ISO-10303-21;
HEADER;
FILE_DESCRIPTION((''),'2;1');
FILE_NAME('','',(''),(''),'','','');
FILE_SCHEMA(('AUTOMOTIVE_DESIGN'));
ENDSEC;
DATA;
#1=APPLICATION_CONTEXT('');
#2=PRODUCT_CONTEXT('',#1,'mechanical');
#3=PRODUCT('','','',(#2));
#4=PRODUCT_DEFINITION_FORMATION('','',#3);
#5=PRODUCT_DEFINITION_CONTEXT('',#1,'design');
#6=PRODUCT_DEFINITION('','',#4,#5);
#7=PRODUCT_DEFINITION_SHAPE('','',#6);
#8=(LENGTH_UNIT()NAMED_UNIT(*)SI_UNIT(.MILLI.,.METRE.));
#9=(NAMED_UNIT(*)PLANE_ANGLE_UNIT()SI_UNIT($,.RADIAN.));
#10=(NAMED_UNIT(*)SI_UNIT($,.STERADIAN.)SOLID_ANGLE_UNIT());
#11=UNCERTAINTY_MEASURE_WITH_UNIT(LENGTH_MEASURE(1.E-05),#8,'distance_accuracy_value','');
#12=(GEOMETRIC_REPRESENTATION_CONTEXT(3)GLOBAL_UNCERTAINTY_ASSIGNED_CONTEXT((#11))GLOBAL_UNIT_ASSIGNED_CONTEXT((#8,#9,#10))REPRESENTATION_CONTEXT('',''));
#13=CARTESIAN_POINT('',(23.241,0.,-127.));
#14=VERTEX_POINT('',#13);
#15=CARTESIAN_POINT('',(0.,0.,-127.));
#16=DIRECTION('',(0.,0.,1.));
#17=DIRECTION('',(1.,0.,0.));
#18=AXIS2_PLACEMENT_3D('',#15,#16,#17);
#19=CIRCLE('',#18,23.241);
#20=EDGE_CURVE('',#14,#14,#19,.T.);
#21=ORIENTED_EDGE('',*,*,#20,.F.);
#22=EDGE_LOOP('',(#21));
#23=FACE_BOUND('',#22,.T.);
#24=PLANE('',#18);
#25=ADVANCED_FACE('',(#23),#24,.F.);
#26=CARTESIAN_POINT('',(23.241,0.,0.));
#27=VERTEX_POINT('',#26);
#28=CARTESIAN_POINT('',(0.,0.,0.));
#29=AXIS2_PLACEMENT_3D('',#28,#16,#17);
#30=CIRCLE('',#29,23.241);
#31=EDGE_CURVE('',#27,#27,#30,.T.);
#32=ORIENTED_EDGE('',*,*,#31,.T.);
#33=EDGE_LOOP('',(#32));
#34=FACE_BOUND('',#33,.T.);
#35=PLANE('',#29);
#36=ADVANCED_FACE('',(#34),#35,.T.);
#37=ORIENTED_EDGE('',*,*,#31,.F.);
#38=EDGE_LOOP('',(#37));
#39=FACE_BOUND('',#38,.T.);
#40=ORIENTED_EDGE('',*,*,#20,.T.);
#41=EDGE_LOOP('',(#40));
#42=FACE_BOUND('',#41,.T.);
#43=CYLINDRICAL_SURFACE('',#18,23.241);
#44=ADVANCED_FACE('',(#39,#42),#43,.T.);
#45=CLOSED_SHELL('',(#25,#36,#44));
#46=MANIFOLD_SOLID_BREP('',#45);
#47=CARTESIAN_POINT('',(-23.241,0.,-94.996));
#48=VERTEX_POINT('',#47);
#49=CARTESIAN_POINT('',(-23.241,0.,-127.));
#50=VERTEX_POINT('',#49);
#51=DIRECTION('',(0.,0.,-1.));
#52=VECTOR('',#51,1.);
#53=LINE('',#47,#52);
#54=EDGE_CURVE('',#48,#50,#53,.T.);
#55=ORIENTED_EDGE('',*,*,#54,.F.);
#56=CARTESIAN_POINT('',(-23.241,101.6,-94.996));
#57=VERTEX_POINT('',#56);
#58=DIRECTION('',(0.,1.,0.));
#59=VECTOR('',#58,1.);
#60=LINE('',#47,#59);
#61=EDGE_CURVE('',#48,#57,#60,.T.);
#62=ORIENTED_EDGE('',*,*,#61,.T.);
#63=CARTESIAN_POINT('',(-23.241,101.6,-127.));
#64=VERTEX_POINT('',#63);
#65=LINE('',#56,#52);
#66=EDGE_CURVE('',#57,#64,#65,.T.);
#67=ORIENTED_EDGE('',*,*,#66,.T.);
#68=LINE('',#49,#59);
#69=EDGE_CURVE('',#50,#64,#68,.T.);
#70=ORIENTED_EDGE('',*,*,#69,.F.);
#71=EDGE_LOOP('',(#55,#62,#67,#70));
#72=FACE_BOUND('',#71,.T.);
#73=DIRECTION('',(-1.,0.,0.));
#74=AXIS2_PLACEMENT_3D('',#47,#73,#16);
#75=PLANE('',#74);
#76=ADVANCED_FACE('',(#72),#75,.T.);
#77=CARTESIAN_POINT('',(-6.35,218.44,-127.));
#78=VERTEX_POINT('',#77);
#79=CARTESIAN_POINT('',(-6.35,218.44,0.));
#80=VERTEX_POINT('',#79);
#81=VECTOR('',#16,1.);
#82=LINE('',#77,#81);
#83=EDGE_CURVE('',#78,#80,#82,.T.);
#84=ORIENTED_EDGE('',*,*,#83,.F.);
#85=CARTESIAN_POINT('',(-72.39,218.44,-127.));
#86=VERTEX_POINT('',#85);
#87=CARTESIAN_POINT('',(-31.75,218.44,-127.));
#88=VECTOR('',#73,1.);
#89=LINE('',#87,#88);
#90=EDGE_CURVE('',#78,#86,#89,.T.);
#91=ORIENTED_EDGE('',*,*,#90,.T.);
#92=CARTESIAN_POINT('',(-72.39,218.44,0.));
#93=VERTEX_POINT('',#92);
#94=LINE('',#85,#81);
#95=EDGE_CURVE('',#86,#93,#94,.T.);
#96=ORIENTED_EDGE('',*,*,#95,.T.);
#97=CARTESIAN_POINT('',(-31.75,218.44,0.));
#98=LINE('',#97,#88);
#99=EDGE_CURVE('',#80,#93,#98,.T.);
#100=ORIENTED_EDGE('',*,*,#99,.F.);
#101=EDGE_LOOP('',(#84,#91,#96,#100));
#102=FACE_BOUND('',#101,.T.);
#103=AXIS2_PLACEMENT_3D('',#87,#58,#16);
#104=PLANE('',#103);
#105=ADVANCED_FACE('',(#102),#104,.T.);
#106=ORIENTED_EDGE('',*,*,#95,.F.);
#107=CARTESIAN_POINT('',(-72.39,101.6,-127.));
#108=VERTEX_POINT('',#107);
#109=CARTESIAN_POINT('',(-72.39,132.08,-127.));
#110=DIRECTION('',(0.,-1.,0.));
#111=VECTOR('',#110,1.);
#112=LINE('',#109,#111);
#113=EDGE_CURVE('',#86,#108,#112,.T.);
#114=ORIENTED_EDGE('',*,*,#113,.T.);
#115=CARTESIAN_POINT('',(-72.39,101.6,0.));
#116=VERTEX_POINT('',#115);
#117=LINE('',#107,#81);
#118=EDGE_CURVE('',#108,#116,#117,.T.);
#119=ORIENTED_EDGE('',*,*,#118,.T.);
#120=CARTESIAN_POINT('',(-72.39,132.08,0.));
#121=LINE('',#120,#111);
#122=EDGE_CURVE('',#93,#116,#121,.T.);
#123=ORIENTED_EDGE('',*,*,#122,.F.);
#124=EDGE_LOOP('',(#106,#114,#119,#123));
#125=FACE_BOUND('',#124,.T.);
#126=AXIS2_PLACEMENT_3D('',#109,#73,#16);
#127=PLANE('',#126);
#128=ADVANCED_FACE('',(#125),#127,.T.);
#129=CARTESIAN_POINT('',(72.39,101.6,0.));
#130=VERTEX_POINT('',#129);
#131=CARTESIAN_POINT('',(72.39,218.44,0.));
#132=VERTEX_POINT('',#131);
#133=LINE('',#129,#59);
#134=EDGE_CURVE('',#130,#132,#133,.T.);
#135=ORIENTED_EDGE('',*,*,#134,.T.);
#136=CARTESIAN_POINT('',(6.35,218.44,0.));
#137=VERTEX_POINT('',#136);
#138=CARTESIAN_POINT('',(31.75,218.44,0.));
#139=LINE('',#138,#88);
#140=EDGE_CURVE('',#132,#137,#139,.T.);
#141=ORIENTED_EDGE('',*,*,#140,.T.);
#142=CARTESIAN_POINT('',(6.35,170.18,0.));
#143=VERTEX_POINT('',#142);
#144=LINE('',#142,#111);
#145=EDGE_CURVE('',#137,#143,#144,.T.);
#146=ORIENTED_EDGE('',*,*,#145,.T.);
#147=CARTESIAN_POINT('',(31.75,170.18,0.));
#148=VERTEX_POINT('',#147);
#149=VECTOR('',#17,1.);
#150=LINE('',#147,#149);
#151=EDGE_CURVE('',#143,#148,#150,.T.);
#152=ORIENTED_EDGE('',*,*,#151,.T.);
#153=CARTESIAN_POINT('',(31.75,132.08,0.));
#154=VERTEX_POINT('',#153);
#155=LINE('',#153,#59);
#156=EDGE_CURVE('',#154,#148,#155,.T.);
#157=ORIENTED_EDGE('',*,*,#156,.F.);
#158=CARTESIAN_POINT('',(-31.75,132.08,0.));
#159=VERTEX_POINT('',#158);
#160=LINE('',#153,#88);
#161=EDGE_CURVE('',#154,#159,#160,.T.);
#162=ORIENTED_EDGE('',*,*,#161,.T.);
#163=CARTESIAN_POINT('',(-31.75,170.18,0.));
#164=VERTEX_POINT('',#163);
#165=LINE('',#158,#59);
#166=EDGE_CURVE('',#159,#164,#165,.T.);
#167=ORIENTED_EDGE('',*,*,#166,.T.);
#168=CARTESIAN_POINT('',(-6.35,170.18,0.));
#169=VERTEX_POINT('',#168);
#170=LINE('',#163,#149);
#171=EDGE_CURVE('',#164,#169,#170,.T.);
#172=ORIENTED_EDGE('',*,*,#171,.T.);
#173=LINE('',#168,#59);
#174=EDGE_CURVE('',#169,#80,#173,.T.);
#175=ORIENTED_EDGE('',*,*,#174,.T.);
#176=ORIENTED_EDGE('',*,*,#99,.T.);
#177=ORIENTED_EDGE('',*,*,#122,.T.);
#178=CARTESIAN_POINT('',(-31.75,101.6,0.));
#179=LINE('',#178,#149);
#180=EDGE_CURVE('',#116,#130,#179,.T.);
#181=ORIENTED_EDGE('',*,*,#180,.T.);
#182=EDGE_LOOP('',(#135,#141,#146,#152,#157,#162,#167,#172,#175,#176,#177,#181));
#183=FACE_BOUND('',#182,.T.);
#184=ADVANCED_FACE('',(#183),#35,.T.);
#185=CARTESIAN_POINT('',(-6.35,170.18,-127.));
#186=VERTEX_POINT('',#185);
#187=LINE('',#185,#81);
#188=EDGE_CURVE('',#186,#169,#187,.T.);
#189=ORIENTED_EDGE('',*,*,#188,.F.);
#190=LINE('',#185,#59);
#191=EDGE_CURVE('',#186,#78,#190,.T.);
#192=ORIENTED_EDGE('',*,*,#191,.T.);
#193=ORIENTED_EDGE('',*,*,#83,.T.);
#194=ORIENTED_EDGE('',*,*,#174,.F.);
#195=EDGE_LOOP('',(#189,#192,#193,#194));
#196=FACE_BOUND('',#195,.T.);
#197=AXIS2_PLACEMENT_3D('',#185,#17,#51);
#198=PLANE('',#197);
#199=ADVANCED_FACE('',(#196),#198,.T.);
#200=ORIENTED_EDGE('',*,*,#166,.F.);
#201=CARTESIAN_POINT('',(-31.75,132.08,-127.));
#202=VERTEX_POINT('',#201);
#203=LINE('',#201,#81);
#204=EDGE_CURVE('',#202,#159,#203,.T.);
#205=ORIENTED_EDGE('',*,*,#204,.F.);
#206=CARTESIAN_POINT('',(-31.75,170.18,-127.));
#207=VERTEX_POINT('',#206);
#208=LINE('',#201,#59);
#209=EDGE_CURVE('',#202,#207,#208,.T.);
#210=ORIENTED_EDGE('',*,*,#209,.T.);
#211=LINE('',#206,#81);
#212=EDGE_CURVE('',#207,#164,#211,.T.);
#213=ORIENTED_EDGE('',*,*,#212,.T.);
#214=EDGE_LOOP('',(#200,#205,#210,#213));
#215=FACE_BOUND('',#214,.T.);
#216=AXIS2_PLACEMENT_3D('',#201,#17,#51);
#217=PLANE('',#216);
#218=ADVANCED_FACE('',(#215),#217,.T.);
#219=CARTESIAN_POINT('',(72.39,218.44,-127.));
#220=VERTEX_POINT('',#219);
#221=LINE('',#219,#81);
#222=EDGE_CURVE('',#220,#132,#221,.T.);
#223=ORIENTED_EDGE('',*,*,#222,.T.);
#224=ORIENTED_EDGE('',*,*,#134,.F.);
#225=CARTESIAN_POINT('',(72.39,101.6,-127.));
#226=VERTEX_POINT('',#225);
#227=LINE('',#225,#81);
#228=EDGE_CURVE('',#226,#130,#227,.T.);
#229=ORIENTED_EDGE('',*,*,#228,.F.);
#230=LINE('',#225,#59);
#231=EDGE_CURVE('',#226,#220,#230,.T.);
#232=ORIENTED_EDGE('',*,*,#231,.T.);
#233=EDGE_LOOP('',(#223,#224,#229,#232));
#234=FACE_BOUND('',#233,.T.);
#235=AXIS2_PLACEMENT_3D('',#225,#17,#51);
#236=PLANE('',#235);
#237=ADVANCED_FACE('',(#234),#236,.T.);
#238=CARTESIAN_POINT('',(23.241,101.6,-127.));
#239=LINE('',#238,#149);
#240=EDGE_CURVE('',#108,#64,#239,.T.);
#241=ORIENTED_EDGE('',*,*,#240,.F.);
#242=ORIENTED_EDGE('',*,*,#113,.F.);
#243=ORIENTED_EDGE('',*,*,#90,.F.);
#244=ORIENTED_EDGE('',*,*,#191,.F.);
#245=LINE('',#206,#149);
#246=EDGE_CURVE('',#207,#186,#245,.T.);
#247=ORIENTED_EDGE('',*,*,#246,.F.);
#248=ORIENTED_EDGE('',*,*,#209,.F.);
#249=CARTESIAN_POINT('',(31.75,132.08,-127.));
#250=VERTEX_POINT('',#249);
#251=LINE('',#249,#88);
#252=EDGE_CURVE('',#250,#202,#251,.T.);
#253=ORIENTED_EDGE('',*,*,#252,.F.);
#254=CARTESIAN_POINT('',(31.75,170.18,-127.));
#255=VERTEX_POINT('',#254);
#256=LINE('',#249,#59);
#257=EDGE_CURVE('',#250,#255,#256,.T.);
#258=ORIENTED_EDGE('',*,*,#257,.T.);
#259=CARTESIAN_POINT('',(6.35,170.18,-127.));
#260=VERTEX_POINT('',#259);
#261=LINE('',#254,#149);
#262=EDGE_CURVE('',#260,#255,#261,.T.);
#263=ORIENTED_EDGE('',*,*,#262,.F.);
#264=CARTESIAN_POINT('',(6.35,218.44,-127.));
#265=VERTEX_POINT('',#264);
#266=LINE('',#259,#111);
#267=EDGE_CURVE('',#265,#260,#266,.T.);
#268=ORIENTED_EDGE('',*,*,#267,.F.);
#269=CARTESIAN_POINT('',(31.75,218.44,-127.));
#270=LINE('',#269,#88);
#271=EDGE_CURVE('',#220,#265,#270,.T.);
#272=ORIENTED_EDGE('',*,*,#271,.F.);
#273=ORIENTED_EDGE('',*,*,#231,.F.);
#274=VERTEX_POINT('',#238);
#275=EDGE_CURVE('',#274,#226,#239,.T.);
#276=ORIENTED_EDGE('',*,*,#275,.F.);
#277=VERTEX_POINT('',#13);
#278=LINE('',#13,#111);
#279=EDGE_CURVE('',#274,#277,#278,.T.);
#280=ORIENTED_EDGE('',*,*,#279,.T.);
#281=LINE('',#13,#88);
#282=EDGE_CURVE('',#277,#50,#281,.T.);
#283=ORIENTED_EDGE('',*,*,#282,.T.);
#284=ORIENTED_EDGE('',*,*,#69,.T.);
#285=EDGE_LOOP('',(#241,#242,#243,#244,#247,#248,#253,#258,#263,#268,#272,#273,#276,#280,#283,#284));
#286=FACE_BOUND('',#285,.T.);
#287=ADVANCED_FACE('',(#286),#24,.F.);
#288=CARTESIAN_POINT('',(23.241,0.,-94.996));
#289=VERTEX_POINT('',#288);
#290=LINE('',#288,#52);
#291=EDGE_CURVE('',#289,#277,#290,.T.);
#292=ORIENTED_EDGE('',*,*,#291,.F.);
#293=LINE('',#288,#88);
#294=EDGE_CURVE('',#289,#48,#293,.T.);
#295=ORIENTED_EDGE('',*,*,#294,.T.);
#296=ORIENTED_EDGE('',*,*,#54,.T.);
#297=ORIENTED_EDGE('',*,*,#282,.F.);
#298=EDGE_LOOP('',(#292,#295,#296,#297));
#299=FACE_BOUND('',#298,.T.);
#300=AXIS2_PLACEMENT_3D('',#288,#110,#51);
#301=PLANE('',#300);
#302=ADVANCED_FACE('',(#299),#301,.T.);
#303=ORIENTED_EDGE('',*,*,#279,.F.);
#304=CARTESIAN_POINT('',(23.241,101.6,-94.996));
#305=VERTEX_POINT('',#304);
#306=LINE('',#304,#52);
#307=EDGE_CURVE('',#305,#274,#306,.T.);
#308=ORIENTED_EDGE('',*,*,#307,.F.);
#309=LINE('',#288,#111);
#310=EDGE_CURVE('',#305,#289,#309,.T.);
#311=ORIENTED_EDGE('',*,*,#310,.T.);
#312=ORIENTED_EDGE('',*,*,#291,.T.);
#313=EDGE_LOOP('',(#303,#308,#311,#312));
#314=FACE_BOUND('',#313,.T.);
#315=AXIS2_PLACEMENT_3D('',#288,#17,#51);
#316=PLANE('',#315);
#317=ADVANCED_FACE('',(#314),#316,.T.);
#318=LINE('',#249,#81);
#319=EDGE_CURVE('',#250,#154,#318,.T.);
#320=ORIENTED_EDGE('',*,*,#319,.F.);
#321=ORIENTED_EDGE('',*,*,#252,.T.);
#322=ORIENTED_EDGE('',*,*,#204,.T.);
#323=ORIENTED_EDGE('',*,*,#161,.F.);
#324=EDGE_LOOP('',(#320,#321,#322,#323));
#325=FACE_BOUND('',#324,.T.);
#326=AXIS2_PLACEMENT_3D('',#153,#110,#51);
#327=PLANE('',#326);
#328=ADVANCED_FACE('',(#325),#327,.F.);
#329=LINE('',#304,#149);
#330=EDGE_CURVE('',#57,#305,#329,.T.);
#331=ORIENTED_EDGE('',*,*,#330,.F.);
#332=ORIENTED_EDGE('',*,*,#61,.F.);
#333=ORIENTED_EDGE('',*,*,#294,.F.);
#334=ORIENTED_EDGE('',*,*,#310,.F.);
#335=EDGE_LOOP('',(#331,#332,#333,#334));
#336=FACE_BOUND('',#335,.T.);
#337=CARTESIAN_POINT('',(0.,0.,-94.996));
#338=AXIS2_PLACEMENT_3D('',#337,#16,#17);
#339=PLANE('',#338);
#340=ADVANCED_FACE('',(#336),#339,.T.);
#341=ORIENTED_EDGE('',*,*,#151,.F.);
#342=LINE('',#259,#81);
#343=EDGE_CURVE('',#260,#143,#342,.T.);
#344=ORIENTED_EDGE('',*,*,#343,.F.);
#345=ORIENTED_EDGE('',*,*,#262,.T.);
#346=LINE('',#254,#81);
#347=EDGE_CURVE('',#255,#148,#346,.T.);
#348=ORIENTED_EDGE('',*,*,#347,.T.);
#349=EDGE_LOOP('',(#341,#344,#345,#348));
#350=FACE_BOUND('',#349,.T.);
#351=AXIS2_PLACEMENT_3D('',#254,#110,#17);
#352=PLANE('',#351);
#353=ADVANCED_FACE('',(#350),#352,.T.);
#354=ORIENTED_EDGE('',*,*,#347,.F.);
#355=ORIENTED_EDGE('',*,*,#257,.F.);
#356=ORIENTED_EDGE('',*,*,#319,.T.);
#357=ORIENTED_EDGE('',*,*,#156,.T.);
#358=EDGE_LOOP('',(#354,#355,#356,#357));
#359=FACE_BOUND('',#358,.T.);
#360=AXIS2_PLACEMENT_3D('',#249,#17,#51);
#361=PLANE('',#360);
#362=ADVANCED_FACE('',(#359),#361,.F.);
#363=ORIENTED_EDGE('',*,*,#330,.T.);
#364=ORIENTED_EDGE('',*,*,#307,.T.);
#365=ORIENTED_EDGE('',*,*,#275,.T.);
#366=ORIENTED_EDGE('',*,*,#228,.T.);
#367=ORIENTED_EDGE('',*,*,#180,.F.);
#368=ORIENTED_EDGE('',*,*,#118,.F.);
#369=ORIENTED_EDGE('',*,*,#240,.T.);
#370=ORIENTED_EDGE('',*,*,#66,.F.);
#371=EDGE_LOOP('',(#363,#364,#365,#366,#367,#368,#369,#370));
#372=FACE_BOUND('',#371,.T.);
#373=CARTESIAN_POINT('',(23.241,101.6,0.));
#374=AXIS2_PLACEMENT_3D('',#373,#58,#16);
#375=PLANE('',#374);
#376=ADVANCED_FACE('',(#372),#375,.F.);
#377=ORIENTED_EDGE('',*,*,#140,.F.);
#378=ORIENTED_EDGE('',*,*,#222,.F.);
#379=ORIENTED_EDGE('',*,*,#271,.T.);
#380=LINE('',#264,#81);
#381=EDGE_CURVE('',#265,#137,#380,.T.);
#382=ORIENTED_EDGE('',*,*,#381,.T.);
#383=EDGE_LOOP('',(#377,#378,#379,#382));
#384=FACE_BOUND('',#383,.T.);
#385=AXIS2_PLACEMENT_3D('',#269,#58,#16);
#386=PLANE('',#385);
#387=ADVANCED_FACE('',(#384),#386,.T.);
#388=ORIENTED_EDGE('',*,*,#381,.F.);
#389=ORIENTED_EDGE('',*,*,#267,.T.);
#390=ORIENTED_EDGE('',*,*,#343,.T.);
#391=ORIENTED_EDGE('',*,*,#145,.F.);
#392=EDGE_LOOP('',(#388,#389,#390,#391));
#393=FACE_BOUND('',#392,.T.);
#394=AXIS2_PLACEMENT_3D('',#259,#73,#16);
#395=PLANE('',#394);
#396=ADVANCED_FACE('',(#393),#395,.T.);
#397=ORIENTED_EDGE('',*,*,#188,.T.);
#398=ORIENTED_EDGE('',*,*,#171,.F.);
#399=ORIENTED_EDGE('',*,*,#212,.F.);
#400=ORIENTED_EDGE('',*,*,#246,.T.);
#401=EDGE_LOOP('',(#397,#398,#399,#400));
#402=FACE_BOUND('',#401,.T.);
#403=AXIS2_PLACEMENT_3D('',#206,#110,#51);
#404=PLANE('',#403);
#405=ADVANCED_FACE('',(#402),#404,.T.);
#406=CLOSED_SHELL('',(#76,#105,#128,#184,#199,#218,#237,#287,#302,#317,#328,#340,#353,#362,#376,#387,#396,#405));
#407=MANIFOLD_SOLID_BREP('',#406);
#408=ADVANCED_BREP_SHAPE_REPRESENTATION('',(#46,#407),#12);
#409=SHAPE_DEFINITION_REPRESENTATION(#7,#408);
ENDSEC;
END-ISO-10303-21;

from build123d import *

# Parameters (mm, degrees)
SKETCH1_R    = 23.241
FTA_DEPTH    = 127
SKETCH2_W    = 46.482
SKETCH2_H    = 101.6
FTB_DEPTH    = 32.004
FTC_DEPTH    = 127
SKETCH4_W    = 40.64
SKETCH4_H    = 38.1
FTD1_DEPTH   = 127
SKETCH4_5_W  = 40.64
SKETCH4_5_H  = 38.1
FTD2_DEPTH   = 127
SKETCH5_W    = 25.4
SKETCH5_H    = 48.26
FTE_DEPTH    = 127
FTE_2_DEPTH  = 127
SKETCH6_W    = 40.64
SKETCH6_H    = 48.26
SKETCH6_H_2  = 30.48
FILLER_DEPTH = 127


with BuildPart() as part:
    # Sketch1 → ftA (new body)
    with BuildSketch(Plane.XY):
        Circle(SKETCH1_R)
    extrude(amount=-FTA_DEPTH)


with BuildPart() as body_2:
    # Sketch2 → ftB (new body)
    with BuildSketch(Plane(origin=(0, 0, -127), x_dir=(-1, 0, 0), z_dir=(0, 0, -1))):
        with Locations((0, 50.8)):
            Rectangle(SKETCH2_W, SKETCH2_H)
    extrude(amount=-FTB_DEPTH)

    # Sketch3 → ftC (add)
    with BuildSketch(Plane(origin=(0, 0, -127), x_dir=(-1, 0, 0), z_dir=(0, 0, -1))):
        Polygon((-23.241, 101.6), (-31.75, 101.6), (-31.75, 132.08), (31.75, 132.08), (31.75, 101.6), (23.241, 101.6), align=None)
    extrude(amount=-FTC_DEPTH)



with BuildPart() as body_3:
    # Sketch4 → ftD1 (new body)
    with BuildSketch(Plane.XY):
        with Locations((52.07, 151.13)):
            Rectangle(SKETCH4_W, SKETCH4_H)
    extrude(amount=-FTD1_DEPTH)

    # Sketch4<5> → ftD2 (add)
    with BuildSketch(Plane.XY):
        with Locations((-52.07, 151.13)):
            Rectangle(SKETCH4_5_W, SKETCH4_5_H)
        with Locations((52.07, 151.13)):
            Rectangle(SKETCH4_5_W, SKETCH4_5_H)
    extrude(amount=-FTD2_DEPTH)


with BuildPart() as ftd2_piece_1:
    # of the separate pieces the step leaves, piece 1, a body of its own (ftd2_pieces)
    add(body_3.part.solids().sort_by_distance((31.75, 132.08, 0))[0])


with BuildPart() as ftd2_piece_2:
    # of the separate pieces the step leaves, piece 2, a body of its own (ftd2_pieces)
    add(body_3.part.solids().sort_by_distance((-31.75, 132.08, 0))[0])


with BuildPart() as body_5:
    # Sketch5 → ftE (new body)
    with BuildSketch(Plane.XY):
        with Locations((-19.05, 194.31)):
            Rectangle(SKETCH5_W, SKETCH5_H)
    extrude(amount=-FTE_DEPTH)


with BuildPart() as body_6:
    # Sketch5 → ftE 2 (new body)
    with BuildSketch(Plane.XY):
        with Locations((19.05, 194.31)):
            Rectangle(SKETCH5_W, SKETCH5_H)
    extrude(amount=-FTE_2_DEPTH)


with BuildPart() as body_2_1:
    add(body_2.part)

    add(ftd2_piece_1.part)  # Filler merges ftD2 piece 1

    add(ftd2_piece_2.part)  # Filler merges ftD2 piece 2

    add(body_5.part)  # Filler merges body 5

    add(body_6.part)  # Filler merges body 6
    # Sketch6 → Filler (add)
    with BuildSketch(Plane.XY):
        with Locations((52.07, 194.31)):
            Rectangle(SKETCH6_W, SKETCH6_H)
        with Locations((-52.07, 194.31)):
            Rectangle(SKETCH6_W, SKETCH6_H)
        with Locations((-52.07, 116.84)):
            Rectangle(SKETCH6_W, SKETCH6_H_2)
        with Locations((52.07, 116.84)):
            Rectangle(SKETCH6_W, SKETCH6_H_2)
    extrude(amount=-FILLER_DEPTH)


solid = Compound([part.part, body_2_1.part])
